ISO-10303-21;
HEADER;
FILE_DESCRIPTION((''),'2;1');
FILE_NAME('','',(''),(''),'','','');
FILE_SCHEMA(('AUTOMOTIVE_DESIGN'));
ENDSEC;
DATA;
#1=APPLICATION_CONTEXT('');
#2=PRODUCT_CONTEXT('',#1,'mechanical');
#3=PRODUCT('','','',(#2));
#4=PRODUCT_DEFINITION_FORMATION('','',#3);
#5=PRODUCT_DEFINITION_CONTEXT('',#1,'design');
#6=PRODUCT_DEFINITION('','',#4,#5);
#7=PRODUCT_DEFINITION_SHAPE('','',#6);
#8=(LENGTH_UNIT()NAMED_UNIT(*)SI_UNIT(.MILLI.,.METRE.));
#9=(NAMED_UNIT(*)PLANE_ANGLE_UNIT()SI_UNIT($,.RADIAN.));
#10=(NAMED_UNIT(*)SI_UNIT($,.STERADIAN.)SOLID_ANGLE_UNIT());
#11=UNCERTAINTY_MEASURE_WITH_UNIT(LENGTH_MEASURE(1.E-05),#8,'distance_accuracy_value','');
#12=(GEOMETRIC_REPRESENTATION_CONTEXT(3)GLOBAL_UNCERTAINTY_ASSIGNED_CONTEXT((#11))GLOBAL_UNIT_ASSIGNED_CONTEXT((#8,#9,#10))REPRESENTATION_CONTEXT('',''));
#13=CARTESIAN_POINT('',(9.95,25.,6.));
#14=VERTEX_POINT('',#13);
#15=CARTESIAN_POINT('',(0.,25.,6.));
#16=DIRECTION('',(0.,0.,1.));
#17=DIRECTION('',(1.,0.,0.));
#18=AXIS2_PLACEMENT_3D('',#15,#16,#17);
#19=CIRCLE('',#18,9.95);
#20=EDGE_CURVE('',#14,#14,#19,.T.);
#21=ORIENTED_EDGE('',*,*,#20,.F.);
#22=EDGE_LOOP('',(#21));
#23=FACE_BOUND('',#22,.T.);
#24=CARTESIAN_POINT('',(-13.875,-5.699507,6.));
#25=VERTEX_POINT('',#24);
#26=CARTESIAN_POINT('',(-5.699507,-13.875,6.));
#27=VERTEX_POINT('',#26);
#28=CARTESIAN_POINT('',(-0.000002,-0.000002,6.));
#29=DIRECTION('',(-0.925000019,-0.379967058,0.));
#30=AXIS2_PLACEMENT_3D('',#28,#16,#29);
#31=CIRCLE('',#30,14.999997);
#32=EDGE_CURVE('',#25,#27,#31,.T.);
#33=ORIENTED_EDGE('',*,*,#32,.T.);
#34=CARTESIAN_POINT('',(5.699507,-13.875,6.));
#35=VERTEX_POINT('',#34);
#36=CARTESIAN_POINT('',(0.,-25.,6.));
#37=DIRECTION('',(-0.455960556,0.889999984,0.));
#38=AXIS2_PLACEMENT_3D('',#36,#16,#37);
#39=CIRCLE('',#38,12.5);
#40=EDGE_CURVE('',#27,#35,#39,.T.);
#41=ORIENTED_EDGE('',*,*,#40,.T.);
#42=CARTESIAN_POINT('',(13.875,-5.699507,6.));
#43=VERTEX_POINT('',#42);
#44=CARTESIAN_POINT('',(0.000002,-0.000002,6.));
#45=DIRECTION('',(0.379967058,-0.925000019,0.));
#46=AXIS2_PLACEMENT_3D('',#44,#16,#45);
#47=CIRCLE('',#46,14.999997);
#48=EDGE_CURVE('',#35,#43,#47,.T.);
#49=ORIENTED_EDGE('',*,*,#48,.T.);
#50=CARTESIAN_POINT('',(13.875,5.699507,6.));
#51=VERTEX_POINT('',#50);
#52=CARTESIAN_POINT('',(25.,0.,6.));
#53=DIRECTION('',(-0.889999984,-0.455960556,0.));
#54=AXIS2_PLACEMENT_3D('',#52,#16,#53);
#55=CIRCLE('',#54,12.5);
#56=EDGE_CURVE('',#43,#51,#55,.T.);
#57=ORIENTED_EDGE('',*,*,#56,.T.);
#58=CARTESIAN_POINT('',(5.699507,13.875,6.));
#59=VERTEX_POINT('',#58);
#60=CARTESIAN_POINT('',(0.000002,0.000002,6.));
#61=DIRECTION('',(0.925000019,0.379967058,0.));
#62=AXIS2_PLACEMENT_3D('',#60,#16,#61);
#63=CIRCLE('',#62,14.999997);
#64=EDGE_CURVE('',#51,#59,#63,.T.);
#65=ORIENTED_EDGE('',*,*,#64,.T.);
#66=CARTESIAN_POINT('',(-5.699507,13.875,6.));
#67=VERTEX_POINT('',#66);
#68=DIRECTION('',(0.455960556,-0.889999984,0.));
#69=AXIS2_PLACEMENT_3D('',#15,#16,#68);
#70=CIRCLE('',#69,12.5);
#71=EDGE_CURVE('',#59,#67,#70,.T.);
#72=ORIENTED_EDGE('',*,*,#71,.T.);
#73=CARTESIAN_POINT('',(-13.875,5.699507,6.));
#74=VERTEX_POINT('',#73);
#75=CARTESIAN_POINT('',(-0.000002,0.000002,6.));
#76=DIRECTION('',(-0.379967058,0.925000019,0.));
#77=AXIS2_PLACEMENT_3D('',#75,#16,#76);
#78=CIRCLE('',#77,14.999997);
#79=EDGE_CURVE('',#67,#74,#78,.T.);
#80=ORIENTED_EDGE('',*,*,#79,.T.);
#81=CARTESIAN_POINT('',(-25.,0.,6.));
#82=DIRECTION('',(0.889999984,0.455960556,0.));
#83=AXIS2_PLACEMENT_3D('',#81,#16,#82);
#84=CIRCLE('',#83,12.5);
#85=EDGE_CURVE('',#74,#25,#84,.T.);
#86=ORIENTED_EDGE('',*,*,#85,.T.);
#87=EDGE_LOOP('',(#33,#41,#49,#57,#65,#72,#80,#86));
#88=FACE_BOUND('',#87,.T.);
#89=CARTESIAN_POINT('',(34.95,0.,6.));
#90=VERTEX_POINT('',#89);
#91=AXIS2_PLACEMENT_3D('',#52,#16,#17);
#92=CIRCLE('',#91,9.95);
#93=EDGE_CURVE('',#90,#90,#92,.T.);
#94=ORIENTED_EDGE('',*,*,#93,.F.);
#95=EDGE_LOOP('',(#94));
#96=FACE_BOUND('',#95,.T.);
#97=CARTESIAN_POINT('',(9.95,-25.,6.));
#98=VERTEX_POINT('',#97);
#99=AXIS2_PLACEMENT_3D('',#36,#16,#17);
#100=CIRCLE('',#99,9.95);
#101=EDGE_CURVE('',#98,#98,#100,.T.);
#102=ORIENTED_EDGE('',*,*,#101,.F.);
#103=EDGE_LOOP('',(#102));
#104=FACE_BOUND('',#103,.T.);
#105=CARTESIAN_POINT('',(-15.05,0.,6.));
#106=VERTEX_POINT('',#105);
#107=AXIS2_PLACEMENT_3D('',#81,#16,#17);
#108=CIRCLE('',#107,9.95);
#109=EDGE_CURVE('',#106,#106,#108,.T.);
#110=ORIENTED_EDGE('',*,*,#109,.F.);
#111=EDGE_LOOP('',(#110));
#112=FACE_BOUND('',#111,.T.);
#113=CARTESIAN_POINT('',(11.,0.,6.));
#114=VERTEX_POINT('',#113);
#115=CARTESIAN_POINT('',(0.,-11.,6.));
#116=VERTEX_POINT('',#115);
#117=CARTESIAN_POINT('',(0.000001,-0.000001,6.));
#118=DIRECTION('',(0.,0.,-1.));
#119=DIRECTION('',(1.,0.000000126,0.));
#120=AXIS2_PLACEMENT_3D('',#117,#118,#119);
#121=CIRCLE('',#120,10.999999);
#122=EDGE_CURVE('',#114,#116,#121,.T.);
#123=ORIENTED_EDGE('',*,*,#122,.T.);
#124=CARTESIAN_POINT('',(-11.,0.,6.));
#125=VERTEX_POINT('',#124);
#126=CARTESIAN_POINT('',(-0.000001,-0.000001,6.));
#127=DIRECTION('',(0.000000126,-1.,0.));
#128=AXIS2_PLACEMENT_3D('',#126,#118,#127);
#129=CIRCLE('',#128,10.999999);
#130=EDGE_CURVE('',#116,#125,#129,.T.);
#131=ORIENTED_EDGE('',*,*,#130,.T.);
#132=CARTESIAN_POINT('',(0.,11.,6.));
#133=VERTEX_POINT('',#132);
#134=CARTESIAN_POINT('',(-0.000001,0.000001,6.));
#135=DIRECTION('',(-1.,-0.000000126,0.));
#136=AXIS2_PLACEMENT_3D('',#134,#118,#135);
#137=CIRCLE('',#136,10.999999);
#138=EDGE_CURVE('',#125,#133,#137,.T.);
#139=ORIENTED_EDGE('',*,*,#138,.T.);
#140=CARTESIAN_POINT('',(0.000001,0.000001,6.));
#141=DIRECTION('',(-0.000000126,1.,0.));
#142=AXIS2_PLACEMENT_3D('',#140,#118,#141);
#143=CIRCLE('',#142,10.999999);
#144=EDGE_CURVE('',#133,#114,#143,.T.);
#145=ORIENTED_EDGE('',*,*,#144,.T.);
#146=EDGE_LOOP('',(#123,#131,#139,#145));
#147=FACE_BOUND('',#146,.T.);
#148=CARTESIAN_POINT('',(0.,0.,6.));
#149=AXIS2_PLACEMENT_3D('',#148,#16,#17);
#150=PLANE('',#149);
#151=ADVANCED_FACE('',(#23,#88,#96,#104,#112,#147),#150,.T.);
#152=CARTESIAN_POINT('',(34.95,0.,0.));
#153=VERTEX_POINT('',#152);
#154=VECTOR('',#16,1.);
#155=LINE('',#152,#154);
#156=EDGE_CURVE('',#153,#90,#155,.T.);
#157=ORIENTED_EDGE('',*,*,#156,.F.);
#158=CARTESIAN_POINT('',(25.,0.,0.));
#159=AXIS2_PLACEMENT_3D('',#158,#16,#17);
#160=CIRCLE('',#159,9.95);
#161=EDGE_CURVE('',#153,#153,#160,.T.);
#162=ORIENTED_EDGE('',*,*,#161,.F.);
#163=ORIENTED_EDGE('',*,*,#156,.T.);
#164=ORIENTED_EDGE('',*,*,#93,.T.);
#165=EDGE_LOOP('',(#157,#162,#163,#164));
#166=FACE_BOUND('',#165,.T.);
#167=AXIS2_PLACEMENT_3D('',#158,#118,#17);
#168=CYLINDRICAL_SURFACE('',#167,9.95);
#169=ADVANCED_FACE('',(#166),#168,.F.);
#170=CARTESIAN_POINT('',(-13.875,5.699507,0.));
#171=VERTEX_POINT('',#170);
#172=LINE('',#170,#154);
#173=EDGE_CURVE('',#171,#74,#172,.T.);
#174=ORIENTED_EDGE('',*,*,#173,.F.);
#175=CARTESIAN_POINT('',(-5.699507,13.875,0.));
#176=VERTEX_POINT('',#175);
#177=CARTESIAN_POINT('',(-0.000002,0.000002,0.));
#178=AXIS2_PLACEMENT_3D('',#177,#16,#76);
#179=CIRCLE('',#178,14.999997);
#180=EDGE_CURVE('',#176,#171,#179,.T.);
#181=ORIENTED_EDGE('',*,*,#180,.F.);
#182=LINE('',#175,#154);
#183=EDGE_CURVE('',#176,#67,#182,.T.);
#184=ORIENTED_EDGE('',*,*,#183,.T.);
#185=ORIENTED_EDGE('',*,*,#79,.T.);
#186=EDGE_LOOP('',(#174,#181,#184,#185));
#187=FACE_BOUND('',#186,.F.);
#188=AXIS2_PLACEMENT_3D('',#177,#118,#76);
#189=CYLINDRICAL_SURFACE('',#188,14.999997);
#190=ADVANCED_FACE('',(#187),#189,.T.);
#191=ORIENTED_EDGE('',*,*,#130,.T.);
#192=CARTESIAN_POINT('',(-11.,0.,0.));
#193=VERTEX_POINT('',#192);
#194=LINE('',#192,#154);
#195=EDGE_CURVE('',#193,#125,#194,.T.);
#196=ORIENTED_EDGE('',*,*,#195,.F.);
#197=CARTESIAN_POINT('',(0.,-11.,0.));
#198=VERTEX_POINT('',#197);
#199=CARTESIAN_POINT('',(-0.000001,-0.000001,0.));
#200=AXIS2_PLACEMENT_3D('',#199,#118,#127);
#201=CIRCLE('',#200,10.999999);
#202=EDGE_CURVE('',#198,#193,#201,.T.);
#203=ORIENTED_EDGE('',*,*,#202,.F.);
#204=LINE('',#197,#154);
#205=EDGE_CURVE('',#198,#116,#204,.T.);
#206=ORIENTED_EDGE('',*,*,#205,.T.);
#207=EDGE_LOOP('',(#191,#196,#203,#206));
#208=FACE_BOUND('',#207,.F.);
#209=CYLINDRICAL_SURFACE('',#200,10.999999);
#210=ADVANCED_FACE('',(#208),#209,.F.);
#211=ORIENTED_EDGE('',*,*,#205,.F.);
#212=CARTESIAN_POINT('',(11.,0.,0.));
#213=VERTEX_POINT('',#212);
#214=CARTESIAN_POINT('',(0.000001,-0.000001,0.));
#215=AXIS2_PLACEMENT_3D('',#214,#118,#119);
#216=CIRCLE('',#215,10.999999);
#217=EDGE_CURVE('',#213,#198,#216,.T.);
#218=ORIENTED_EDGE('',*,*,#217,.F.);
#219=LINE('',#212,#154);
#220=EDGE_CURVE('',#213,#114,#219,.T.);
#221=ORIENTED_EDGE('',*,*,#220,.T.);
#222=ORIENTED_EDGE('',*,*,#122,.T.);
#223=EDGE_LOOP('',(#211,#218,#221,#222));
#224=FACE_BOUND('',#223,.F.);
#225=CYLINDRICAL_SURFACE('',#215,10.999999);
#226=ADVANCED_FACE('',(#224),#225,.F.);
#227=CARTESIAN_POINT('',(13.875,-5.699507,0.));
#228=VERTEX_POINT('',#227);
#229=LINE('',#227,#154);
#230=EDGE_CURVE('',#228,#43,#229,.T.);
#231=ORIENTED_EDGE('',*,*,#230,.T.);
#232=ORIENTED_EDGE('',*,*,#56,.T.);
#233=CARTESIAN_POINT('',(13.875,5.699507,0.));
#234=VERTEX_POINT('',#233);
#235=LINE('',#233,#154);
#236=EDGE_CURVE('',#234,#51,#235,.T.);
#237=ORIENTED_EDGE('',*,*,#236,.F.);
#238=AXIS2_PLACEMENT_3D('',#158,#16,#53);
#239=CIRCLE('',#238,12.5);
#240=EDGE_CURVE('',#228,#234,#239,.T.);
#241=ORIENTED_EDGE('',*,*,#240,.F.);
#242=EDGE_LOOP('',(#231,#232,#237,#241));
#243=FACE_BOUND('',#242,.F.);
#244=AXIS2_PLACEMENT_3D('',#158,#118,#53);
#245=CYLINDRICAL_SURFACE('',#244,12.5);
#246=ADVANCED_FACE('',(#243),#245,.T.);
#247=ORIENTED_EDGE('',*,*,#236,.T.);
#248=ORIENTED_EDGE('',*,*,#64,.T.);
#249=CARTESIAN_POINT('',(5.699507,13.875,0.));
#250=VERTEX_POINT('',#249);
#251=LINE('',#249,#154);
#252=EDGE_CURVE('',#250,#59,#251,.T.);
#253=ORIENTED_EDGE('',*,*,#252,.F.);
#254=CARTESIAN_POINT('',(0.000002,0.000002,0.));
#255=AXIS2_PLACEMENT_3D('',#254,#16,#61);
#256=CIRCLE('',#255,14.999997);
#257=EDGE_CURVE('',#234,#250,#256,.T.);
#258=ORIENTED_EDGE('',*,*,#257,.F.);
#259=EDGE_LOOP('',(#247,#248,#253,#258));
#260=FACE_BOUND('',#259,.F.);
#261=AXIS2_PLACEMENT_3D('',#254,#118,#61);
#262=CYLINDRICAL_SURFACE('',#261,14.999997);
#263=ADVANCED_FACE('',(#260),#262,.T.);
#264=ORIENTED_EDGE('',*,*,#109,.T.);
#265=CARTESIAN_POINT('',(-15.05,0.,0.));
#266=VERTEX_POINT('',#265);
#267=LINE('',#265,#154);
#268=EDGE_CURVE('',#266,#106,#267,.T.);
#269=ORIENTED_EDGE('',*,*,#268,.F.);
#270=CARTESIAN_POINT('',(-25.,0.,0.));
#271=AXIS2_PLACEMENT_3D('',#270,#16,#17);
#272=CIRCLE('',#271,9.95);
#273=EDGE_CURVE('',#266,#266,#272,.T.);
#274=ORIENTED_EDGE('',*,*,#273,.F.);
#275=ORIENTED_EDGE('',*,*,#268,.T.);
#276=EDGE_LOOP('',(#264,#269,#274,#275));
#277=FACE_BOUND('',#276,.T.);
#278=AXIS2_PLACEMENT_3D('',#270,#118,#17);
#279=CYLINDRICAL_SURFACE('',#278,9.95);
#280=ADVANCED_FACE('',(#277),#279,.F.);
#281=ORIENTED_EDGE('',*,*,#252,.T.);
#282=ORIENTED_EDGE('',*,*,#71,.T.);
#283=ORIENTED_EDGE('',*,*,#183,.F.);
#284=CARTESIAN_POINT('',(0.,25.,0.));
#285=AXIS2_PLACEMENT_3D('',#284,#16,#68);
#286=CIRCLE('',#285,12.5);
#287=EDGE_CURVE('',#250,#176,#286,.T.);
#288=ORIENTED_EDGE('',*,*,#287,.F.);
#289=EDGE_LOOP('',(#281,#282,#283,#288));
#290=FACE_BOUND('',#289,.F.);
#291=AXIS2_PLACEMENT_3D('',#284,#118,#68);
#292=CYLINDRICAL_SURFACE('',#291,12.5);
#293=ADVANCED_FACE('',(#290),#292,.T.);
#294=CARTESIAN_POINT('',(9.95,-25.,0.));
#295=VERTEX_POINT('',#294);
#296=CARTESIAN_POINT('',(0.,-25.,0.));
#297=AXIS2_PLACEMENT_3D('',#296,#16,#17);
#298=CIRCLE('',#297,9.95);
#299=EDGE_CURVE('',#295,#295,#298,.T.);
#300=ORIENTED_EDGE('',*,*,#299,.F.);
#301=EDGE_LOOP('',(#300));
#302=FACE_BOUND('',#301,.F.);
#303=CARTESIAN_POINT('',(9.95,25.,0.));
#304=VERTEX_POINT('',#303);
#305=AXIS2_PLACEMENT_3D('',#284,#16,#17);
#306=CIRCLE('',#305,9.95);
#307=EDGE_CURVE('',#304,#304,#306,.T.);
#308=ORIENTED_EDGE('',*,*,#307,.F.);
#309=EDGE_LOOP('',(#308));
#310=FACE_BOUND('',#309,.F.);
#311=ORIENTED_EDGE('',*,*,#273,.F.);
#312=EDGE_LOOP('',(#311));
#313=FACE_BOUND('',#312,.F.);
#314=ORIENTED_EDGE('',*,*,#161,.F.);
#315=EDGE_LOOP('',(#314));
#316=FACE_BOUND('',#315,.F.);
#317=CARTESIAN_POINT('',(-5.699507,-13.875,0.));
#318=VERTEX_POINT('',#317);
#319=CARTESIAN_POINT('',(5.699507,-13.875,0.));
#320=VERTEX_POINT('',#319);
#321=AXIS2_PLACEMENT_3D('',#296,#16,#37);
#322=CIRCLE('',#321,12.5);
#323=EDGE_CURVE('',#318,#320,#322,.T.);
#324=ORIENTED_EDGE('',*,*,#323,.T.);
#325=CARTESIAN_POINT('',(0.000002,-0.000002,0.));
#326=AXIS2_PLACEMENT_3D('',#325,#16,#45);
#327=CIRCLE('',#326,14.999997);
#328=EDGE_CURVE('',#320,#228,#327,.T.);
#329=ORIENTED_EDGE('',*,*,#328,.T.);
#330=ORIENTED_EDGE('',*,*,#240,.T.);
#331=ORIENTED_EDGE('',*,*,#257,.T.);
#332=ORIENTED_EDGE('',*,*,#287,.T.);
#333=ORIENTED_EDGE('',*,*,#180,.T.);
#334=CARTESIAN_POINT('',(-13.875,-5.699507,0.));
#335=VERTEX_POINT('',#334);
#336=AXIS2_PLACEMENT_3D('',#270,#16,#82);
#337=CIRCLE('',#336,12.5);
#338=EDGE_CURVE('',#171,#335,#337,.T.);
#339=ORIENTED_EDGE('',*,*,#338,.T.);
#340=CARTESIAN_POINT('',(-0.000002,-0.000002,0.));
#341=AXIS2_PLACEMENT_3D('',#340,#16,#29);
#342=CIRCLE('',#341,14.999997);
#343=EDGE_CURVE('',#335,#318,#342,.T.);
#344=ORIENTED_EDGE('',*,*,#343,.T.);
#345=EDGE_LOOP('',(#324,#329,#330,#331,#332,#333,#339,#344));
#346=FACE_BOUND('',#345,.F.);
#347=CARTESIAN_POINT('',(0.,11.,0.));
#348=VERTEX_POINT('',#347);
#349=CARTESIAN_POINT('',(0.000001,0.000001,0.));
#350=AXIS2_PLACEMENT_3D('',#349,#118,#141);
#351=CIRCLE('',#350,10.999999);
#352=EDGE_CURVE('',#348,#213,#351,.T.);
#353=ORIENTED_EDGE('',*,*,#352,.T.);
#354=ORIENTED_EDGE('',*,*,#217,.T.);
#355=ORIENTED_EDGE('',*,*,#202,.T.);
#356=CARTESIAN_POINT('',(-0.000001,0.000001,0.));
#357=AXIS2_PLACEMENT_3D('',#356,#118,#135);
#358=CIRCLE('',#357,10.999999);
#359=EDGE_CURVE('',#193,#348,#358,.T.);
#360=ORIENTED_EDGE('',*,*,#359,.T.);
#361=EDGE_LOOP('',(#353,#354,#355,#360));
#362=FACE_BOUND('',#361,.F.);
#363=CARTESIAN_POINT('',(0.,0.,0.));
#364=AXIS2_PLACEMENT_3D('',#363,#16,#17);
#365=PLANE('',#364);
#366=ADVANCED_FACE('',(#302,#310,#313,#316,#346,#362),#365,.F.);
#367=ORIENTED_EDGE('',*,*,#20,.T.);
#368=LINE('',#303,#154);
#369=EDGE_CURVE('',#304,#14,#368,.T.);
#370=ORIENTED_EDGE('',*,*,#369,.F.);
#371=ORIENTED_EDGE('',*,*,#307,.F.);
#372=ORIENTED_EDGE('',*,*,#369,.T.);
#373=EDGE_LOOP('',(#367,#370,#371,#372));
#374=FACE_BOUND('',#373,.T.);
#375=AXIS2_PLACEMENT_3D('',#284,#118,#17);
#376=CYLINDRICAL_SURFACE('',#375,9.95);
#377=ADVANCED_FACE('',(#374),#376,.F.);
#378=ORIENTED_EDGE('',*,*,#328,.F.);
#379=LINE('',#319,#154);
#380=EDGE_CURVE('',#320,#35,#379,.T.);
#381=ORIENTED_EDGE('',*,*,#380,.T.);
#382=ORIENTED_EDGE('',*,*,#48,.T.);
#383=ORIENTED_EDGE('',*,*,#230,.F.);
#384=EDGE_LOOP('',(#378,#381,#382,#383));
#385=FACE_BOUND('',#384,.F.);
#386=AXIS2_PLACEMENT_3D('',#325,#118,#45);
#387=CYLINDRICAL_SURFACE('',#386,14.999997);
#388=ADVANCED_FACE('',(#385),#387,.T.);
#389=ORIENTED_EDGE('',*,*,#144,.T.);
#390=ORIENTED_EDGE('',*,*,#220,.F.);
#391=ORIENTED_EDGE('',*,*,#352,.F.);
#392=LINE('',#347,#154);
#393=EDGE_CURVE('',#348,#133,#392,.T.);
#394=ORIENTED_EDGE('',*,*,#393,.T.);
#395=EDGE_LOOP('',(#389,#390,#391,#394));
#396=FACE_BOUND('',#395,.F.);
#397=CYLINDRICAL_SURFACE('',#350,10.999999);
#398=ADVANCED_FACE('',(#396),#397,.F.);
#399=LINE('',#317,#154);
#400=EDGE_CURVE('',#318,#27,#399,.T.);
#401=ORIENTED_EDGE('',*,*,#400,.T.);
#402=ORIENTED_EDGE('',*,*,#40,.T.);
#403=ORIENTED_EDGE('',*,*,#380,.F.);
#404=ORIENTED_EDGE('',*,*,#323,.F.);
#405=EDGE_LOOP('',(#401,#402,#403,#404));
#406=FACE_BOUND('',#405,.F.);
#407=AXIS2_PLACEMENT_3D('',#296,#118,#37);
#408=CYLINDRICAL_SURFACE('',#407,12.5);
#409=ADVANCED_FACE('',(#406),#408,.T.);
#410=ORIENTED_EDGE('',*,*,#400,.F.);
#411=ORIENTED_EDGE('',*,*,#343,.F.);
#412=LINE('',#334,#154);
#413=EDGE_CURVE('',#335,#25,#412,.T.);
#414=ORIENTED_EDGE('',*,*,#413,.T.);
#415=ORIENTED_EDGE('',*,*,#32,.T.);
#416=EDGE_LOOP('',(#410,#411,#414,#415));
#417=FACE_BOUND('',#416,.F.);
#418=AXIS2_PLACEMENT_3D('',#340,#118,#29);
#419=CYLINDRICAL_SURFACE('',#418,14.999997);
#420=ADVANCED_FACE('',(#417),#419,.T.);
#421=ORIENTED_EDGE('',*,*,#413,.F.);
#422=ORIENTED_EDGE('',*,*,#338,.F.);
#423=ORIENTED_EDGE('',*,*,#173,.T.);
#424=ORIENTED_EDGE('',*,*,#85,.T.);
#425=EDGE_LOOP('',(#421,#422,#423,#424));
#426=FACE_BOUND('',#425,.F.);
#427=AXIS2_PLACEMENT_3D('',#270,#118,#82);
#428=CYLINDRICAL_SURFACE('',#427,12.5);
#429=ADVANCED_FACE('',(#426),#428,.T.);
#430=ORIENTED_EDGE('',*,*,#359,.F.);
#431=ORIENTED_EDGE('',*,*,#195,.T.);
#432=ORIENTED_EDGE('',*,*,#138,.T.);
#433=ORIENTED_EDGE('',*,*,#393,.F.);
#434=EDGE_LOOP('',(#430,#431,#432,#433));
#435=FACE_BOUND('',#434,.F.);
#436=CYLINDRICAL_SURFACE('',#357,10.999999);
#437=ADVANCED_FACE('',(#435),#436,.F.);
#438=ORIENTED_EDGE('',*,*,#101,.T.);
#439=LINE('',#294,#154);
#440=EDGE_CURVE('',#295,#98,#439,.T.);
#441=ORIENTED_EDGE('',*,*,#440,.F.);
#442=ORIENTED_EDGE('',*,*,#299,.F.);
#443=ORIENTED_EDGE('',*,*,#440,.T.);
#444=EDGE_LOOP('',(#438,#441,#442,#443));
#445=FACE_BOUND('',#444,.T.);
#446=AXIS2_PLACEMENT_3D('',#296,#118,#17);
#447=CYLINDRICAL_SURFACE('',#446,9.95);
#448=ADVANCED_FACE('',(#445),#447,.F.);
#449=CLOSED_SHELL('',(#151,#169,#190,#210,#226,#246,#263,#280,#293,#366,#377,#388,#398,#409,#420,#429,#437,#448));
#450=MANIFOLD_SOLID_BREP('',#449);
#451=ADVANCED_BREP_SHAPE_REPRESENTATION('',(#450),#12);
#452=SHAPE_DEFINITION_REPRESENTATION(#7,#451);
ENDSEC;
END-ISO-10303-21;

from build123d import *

# Parameters (mm, degrees)
F0_R     = 9.95
F1_DEPTH = 6


with BuildPart() as f1:
    # F0 (on Top) → F1 (new body)
    with BuildSketch(Plane.XY):
        with BuildLine():
            ThreePointArc((5.699507, 13.875), (0, 37.5), (-5.699507, 13.875))
            ThreePointArc((-5.699507, 13.875), (-10.606602, 10.606602), (-13.875, 5.699507))
            ThreePointArc((-13.875, 5.699507), (-37.5, 0), (-13.875, -5.699507))
            ThreePointArc((-13.875, -5.699507), (-10.606602, -10.606602), (-5.699507, -13.875))
            ThreePointArc((-5.699507, -13.875), (0, -37.5), (5.699507, -13.875))
            ThreePointArc((5.699507, -13.875), (10.606602, -10.606602), (13.875, -5.699507))
            ThreePointArc((13.875, -5.699507), (37.5, 0), (13.875, 5.699507))
            ThreePointArc((13.875, 5.699507), (10.606602, 10.606602), (5.699507, 13.875))
        make_face()
        with Locations((0, -25)):
            Circle(F0_R, mode=Mode.SUBTRACT)
        with Locations((-25, 0)):
            Circle(F0_R, mode=Mode.SUBTRACT)
        with BuildLine():
            ThreePointArc((0, 11), (7.778175, 7.778175), (11, 0))
            ThreePointArc((11, 0), (7.778175, -7.778175), (0, -11))
            ThreePointArc((0, -11), (-7.778175, -7.778175), (-11, 0))
            ThreePointArc((-11, 0), (-7.778175, 7.778175), (0, 11))
        make_face(mode=Mode.SUBTRACT)
        with Locations((25, 0)):
            Circle(F0_R, mode=Mode.SUBTRACT)
        with Locations((0, 25)):
            Circle(F0_R, mode=Mode.SUBTRACT)
    extrude(amount=F1_DEPTH)


solid = f1.part
